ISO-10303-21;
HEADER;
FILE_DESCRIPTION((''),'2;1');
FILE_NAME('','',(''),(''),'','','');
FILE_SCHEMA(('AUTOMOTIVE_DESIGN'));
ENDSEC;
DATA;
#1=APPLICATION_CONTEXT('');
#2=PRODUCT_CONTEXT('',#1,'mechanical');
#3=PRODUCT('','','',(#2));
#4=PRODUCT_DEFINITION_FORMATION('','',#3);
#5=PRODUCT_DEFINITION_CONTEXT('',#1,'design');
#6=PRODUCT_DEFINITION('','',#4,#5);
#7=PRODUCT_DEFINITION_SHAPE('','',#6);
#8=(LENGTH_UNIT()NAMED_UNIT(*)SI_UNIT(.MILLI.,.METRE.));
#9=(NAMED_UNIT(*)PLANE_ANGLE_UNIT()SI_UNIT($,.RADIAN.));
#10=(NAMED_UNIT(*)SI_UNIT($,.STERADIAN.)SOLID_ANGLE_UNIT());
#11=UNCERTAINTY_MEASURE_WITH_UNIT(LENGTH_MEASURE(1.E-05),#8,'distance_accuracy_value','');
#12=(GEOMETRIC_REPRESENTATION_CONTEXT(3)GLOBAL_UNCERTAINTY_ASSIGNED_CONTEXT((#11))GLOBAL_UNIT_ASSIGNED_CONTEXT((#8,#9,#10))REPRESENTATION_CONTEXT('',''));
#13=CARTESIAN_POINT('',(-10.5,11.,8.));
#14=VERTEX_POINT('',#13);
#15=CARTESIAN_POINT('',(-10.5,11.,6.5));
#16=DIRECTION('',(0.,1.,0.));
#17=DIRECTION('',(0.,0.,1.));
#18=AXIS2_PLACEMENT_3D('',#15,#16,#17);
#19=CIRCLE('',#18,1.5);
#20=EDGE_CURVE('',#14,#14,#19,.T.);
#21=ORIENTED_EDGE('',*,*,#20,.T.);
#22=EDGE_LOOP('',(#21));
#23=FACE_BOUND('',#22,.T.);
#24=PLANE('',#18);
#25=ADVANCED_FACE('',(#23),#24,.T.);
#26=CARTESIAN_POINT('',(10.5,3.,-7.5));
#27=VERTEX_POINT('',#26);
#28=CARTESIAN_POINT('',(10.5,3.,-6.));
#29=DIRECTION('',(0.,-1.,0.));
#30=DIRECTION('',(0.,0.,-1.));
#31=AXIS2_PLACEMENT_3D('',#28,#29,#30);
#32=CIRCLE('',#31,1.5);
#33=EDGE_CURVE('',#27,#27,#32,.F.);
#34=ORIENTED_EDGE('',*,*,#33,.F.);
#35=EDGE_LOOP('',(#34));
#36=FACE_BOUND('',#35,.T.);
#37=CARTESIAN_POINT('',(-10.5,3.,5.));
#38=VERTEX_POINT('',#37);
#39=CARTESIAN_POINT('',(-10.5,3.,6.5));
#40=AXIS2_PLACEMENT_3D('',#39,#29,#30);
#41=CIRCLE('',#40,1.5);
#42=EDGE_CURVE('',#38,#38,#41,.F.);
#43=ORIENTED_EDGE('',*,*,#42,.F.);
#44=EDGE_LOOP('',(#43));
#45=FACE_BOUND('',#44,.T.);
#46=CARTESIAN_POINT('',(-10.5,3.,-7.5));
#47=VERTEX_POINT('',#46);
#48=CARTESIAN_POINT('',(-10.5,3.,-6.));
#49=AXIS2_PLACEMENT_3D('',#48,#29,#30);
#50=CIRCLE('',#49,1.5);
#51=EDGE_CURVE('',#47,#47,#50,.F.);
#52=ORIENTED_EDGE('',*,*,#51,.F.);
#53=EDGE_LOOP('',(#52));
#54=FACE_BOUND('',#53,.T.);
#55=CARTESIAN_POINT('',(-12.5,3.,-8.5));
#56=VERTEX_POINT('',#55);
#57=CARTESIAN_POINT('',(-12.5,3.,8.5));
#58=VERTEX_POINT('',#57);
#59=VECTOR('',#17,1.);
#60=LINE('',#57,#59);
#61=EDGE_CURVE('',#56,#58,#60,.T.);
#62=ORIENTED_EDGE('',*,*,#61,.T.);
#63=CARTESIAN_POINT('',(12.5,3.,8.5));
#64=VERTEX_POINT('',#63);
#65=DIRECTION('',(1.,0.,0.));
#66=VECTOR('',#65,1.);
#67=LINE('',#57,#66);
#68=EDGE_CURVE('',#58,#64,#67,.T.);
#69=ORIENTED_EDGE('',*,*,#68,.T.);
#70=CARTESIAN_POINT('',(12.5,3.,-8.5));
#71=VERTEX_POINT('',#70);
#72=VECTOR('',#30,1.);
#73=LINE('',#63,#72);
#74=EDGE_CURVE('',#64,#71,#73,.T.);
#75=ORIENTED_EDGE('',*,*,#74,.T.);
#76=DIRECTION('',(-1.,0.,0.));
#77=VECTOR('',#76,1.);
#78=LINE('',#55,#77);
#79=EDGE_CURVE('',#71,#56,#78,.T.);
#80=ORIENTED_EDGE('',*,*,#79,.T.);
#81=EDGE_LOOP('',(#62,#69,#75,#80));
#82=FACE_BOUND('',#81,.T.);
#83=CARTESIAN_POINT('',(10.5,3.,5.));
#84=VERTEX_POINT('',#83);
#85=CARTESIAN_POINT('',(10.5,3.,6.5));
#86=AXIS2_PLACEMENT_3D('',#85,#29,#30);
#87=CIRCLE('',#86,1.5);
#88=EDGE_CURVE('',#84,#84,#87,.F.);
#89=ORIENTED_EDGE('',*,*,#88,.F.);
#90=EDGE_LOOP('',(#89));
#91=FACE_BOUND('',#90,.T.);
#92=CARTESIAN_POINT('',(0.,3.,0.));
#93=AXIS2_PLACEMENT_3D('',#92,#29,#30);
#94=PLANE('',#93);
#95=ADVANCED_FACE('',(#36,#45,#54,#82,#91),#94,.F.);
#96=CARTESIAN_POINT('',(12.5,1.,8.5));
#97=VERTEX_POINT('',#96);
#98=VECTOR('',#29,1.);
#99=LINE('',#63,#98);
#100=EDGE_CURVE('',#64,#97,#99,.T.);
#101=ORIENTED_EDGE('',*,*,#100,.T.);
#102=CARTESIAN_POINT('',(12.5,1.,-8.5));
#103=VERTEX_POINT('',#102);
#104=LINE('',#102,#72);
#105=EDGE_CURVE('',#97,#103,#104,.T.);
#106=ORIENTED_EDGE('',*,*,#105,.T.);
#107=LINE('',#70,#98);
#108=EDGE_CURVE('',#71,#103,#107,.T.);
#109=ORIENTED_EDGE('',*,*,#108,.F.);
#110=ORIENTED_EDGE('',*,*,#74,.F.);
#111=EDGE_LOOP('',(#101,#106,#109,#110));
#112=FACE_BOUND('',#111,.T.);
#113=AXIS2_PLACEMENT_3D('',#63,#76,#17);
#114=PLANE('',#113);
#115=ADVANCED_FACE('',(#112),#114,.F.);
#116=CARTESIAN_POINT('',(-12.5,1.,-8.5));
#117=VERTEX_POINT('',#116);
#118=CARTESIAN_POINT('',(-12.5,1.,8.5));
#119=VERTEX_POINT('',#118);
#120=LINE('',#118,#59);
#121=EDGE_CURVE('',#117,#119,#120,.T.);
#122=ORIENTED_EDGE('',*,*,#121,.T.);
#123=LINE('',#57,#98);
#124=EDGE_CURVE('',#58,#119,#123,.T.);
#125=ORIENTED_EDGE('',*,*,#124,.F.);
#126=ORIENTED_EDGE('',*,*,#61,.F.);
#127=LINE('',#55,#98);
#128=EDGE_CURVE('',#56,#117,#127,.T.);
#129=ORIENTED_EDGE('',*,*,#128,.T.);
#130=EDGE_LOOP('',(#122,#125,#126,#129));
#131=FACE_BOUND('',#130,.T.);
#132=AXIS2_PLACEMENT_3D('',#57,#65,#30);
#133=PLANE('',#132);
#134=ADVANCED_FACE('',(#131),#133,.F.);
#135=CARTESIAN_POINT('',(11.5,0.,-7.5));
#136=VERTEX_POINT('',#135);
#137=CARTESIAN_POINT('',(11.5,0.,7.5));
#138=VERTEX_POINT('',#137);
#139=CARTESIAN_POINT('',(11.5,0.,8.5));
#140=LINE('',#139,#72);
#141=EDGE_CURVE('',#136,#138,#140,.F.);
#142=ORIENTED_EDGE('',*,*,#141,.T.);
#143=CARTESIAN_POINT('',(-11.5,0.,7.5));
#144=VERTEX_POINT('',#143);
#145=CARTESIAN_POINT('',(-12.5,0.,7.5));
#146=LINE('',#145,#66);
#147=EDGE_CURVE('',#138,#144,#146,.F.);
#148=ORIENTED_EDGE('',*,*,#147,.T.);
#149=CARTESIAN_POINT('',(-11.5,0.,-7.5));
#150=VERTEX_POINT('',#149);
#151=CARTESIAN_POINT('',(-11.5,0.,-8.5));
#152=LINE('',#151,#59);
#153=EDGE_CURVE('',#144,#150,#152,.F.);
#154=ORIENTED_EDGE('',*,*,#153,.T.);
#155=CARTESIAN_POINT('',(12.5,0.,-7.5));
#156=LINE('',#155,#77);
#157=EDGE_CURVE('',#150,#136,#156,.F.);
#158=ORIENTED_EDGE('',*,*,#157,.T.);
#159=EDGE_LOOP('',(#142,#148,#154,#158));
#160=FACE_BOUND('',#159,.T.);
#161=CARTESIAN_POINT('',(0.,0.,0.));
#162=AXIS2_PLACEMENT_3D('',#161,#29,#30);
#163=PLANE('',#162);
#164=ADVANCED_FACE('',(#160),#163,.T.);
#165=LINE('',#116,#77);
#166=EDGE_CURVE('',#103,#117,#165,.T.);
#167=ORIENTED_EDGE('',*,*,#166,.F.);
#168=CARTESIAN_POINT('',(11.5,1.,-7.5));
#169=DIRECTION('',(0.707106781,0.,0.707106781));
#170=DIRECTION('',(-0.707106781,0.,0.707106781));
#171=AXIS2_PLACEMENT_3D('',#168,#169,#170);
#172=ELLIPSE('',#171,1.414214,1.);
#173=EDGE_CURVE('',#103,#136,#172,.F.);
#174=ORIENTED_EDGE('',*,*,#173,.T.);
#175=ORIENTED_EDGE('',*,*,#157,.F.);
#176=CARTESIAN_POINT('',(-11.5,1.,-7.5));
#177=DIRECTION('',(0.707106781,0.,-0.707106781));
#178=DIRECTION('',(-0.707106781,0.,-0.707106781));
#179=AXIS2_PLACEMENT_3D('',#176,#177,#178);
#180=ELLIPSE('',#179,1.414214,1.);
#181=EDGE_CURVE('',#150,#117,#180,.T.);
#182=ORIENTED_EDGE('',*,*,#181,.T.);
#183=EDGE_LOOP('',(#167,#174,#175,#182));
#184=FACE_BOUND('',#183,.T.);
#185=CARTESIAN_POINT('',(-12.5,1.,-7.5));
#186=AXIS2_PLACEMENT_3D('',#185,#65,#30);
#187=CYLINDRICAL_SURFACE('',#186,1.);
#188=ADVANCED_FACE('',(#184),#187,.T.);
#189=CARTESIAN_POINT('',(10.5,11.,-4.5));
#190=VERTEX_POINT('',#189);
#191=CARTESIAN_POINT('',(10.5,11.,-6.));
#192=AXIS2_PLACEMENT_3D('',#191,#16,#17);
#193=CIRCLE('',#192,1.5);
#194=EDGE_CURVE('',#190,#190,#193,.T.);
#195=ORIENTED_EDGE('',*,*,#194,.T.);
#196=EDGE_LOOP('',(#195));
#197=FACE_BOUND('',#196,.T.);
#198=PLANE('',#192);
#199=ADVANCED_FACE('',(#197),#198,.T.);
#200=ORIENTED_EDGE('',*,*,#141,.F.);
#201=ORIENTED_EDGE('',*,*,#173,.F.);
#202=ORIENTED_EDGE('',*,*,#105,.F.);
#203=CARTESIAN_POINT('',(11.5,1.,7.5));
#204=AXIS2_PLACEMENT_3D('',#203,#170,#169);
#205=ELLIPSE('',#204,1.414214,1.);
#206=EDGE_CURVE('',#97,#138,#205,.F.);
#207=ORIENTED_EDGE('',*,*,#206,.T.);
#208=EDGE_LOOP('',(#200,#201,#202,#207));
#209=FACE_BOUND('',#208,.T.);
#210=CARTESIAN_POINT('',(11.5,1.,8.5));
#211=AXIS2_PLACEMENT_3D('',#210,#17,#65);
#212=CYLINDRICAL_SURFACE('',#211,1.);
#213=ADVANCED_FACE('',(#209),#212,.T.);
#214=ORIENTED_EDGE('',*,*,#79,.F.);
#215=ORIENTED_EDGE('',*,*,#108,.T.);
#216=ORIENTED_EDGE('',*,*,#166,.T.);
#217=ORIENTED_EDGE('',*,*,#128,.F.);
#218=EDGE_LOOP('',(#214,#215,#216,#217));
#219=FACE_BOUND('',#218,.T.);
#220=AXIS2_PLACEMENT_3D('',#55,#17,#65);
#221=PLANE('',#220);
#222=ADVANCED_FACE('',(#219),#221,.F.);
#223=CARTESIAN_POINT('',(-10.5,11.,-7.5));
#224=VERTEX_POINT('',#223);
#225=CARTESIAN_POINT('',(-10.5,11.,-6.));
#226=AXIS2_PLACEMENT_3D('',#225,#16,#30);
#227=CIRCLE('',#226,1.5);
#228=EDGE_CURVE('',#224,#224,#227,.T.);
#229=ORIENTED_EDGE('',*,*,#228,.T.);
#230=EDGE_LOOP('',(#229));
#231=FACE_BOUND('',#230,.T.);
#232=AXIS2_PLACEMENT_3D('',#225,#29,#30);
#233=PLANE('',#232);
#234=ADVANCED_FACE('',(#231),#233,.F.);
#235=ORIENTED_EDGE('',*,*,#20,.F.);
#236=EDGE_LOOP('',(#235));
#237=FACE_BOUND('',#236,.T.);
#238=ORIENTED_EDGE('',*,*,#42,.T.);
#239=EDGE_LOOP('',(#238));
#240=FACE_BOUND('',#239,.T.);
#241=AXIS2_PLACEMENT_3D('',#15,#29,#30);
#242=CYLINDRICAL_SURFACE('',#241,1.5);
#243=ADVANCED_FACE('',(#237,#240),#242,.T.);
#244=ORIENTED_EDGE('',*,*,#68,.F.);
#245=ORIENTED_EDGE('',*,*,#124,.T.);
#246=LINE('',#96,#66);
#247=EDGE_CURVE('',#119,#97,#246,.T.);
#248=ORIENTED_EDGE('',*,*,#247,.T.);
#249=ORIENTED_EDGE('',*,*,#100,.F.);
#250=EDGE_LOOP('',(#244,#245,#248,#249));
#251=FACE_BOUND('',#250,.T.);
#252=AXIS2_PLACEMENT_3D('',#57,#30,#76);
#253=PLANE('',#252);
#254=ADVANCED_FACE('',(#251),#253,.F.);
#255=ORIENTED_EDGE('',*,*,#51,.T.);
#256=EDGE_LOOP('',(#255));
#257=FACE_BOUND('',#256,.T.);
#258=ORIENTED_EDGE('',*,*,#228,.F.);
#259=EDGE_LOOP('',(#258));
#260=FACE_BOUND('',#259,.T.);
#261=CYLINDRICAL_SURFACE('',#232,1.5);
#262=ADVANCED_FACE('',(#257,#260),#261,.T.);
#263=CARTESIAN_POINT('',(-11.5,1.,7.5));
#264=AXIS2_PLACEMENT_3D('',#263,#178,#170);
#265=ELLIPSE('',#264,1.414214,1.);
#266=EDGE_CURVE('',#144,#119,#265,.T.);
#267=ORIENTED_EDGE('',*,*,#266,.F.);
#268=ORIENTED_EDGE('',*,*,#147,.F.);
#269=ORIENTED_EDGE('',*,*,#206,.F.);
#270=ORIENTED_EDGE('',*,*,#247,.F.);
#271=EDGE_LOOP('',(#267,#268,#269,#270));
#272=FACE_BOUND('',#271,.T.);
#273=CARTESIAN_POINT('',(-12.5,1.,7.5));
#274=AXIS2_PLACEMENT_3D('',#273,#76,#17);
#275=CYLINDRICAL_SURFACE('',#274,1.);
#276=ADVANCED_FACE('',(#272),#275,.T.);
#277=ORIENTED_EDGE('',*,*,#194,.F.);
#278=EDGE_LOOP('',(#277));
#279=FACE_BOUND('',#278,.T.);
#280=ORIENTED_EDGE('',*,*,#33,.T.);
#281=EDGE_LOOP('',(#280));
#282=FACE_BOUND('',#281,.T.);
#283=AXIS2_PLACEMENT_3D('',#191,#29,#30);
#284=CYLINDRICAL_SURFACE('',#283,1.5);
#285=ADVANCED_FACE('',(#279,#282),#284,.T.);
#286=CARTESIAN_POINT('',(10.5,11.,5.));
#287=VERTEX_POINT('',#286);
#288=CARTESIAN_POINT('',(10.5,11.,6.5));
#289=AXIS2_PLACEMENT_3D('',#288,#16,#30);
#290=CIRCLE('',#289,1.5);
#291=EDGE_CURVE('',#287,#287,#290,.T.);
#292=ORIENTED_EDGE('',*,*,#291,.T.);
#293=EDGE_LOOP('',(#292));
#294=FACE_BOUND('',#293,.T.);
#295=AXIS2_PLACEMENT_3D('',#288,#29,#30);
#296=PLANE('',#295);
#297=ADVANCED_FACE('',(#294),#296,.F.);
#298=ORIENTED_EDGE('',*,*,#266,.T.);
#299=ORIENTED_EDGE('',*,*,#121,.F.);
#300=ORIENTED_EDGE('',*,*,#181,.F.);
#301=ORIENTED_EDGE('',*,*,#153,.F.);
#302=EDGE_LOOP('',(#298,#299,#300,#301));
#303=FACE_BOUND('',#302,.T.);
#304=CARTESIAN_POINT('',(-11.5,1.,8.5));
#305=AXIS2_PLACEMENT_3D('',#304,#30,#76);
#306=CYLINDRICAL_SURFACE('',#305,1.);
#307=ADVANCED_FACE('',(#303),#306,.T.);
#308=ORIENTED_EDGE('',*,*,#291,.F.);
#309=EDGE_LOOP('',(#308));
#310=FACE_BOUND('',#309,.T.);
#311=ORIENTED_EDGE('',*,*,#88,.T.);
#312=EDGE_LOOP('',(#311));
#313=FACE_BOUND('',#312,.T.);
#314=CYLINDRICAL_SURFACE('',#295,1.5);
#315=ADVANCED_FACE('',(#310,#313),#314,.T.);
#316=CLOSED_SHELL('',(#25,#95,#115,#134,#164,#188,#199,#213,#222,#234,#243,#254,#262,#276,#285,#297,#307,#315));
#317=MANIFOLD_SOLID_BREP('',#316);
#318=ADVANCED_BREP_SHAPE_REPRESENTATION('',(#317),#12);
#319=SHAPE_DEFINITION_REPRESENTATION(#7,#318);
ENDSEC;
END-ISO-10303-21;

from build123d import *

# Parameters (mm, degrees)
SKETCH1_W           = 25
SKETCH1_H           = 17
BOSS_EXTRUDE1_DEPTH = 3
SKETCH2_R           = 1.5
BOSS_EXTRUDE2_DEPTH = 8
FILLET3_R           = 1


with BuildPart() as part:
    # Sketch1 → Boss-Extrude1 (new body)
    with BuildSketch(Plane(origin=(0, 0, 0), x_dir=(1, 0, 0), z_dir=(0, 1, 0))):
        Rectangle(SKETCH1_W, SKETCH1_H)
    extrude(amount=BOSS_EXTRUDE1_DEPTH)

    # Sketch2 → Boss-Extrude2 (add)
    with BuildSketch(Plane(origin=(0, 3, 0), x_dir=(1, 0, 0), z_dir=(0, 1, 0))):
        with Locations((-10.5, -6.5)):
            Circle(SKETCH2_R)
        with Locations((10.5, -6.5)):
            Circle(SKETCH2_R)
        with Locations((10.5, 5.999999892)):
            Circle(SKETCH2_R)
        with Locations((-10.5, 5.999999892)):
            Circle(SKETCH2_R)
    extrude(amount=BOSS_EXTRUDE2_DEPTH)

    # Fillet3
    fillet3_edges = [part.edges().sort_by_distance(p)[0] for p in [
        (0, 0, 8.5),
        (-12.5, 0, 0),
        (0, 0, -8.5),
        (12.5, 0, 0),
    ]]
    fillet(fillet3_edges, radius=FILLET3_R)


solid = part.part
